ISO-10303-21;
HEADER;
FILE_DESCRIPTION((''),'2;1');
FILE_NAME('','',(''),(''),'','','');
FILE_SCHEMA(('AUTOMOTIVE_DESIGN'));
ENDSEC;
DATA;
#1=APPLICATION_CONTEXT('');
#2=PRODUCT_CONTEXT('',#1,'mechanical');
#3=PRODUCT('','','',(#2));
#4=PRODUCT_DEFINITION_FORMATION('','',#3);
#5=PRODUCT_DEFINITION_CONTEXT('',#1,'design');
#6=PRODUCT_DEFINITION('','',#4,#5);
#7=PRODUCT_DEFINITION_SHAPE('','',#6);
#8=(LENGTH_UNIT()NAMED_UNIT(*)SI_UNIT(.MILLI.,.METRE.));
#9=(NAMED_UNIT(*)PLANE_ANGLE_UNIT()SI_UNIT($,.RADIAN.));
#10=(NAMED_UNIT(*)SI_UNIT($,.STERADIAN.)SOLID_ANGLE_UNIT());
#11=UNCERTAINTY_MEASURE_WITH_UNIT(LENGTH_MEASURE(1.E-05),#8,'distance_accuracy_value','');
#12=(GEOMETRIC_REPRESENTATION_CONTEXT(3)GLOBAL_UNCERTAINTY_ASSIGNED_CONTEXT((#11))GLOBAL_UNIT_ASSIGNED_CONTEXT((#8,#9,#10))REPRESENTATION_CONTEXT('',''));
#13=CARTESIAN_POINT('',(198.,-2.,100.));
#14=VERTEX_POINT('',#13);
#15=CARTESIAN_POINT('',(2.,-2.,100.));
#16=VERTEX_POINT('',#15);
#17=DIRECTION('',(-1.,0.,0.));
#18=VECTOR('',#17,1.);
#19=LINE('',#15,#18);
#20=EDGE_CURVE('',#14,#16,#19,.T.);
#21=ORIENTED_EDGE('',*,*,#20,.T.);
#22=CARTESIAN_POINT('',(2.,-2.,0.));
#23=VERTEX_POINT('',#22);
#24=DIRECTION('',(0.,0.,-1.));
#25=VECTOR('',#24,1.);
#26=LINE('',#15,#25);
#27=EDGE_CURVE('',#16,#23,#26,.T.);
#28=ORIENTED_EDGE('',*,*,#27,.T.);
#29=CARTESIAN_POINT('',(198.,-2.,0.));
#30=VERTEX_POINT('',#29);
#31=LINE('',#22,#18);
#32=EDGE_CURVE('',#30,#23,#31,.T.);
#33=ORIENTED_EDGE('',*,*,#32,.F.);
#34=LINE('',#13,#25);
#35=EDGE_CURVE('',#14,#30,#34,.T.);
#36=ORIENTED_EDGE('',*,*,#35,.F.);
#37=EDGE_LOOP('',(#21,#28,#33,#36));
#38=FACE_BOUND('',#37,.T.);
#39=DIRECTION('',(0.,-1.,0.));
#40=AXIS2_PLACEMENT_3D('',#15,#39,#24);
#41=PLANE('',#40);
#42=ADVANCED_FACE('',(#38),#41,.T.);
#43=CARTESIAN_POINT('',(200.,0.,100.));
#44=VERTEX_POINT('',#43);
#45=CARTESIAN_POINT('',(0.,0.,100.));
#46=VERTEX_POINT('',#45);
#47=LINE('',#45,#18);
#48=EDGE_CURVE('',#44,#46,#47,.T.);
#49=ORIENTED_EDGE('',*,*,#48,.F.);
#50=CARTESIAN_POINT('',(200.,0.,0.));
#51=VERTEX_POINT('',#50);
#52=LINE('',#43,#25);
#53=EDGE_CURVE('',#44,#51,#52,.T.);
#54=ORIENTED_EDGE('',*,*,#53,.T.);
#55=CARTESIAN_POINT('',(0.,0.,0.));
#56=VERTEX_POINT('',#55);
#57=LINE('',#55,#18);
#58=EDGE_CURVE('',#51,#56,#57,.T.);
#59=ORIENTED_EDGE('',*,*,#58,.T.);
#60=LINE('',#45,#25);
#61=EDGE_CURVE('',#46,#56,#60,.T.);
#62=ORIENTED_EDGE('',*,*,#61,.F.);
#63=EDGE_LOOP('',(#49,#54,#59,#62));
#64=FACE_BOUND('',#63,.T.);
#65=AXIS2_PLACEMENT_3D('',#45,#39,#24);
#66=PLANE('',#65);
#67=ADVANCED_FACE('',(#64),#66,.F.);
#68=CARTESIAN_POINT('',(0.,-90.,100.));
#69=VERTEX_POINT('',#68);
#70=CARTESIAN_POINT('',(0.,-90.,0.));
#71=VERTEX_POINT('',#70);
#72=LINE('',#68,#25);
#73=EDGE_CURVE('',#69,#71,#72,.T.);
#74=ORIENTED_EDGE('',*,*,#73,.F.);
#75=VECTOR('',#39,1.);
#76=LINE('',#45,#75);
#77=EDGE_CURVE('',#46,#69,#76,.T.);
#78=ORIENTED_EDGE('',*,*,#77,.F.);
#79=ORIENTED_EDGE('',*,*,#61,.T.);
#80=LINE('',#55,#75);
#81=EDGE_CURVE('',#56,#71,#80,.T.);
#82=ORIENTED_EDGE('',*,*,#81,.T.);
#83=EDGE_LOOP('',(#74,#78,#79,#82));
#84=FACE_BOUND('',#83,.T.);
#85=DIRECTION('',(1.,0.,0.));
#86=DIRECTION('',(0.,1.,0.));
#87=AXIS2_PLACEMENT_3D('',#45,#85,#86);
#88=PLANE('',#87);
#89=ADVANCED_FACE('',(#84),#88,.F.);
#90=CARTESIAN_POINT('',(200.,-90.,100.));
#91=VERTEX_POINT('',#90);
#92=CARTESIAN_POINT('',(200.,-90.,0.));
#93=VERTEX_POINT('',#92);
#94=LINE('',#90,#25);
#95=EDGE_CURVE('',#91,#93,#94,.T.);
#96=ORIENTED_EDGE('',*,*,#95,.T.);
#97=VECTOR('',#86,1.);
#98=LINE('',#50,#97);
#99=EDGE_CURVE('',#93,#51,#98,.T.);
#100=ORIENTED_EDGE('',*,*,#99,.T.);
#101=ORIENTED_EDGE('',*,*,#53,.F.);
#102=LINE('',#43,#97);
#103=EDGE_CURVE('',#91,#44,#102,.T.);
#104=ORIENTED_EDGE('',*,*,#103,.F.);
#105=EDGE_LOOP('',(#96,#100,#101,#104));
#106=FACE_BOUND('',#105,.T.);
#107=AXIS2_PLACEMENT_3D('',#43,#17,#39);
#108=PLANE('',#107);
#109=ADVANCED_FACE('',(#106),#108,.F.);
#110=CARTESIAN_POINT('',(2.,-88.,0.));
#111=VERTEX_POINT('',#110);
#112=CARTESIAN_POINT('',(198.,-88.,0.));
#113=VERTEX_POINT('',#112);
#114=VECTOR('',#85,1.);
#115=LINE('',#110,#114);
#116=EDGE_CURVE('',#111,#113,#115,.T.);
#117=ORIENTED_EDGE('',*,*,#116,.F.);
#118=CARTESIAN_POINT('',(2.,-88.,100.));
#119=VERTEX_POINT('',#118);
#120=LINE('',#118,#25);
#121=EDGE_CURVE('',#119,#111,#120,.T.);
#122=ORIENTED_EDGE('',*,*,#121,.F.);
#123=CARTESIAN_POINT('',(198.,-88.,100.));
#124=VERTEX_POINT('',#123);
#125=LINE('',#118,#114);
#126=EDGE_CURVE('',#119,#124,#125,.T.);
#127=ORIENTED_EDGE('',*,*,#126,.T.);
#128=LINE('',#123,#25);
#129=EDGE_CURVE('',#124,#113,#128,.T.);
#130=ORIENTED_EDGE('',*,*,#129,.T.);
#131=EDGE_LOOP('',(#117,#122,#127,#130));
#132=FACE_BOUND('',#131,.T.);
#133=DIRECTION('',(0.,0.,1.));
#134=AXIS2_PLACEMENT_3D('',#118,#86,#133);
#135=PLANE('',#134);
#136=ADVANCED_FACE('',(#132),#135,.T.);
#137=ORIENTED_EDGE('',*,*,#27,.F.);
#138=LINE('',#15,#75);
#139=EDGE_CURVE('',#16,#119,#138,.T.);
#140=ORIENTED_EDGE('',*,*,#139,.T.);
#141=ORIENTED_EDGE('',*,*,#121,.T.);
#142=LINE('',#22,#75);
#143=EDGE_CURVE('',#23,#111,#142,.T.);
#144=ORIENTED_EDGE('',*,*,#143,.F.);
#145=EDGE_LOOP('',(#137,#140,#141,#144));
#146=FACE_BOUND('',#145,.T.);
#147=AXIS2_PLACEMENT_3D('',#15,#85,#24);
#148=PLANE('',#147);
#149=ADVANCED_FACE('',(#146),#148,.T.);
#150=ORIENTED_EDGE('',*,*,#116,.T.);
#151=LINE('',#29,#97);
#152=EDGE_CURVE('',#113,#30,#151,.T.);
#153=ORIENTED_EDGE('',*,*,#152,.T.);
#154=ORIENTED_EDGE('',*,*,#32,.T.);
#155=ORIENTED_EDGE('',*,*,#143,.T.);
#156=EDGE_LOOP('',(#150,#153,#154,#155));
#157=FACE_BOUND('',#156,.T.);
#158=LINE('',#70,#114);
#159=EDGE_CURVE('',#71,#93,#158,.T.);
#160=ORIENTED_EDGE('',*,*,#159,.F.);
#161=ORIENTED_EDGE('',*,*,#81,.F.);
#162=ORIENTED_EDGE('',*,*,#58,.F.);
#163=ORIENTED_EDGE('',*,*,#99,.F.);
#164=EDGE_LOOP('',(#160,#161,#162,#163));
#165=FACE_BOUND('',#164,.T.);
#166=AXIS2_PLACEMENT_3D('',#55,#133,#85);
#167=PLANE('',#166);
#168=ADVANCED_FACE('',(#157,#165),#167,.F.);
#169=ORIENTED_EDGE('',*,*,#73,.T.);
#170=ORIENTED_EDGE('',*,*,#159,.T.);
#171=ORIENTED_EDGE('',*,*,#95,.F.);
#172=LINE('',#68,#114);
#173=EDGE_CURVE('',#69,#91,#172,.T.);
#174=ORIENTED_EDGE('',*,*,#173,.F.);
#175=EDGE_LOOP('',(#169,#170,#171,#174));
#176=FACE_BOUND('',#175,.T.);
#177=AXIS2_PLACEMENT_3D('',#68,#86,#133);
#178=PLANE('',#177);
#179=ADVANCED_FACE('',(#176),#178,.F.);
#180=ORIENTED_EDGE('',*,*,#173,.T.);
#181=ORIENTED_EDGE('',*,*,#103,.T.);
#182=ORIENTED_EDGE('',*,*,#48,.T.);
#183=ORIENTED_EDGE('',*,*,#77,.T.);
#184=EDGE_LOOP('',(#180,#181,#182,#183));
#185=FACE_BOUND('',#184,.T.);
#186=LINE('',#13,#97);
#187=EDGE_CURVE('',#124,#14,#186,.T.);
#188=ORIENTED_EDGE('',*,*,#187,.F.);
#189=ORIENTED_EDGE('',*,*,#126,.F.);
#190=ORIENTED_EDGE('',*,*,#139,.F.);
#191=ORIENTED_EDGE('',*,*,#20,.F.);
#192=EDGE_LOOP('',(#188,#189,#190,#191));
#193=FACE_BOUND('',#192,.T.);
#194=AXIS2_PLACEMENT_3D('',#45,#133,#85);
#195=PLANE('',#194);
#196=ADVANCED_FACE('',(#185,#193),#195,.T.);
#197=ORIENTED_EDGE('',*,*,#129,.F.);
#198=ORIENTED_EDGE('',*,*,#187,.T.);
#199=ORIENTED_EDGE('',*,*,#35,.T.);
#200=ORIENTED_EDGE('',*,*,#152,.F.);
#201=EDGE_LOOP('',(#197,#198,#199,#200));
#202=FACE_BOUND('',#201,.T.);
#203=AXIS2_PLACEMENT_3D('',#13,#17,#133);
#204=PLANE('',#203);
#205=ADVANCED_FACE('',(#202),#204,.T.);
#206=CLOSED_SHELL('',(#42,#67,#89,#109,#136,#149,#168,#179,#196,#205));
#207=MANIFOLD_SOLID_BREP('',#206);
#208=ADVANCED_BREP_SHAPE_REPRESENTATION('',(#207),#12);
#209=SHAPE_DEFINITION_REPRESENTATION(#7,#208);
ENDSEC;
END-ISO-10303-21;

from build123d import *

# Parameters (mm, degrees)
SKETCH1_W           = 200
SKETCH1_H           = 90
SKETCH1_W_2         = 196
SKETCH1_H_2         = 86
BOSS_EXTRUDE1_DEPTH = 100


with BuildPart() as part:
    # Sketch1 → Boss-Extrude1 (new body)
    with BuildSketch(Plane.XY):
        with Locations((100, -45)):
            Rectangle(SKETCH1_W, SKETCH1_H)
        with Locations((100, -45)):
            Rectangle(SKETCH1_W_2, SKETCH1_H_2, mode=Mode.SUBTRACT)
    extrude(amount=BOSS_EXTRUDE1_DEPTH)


solid = part.part
